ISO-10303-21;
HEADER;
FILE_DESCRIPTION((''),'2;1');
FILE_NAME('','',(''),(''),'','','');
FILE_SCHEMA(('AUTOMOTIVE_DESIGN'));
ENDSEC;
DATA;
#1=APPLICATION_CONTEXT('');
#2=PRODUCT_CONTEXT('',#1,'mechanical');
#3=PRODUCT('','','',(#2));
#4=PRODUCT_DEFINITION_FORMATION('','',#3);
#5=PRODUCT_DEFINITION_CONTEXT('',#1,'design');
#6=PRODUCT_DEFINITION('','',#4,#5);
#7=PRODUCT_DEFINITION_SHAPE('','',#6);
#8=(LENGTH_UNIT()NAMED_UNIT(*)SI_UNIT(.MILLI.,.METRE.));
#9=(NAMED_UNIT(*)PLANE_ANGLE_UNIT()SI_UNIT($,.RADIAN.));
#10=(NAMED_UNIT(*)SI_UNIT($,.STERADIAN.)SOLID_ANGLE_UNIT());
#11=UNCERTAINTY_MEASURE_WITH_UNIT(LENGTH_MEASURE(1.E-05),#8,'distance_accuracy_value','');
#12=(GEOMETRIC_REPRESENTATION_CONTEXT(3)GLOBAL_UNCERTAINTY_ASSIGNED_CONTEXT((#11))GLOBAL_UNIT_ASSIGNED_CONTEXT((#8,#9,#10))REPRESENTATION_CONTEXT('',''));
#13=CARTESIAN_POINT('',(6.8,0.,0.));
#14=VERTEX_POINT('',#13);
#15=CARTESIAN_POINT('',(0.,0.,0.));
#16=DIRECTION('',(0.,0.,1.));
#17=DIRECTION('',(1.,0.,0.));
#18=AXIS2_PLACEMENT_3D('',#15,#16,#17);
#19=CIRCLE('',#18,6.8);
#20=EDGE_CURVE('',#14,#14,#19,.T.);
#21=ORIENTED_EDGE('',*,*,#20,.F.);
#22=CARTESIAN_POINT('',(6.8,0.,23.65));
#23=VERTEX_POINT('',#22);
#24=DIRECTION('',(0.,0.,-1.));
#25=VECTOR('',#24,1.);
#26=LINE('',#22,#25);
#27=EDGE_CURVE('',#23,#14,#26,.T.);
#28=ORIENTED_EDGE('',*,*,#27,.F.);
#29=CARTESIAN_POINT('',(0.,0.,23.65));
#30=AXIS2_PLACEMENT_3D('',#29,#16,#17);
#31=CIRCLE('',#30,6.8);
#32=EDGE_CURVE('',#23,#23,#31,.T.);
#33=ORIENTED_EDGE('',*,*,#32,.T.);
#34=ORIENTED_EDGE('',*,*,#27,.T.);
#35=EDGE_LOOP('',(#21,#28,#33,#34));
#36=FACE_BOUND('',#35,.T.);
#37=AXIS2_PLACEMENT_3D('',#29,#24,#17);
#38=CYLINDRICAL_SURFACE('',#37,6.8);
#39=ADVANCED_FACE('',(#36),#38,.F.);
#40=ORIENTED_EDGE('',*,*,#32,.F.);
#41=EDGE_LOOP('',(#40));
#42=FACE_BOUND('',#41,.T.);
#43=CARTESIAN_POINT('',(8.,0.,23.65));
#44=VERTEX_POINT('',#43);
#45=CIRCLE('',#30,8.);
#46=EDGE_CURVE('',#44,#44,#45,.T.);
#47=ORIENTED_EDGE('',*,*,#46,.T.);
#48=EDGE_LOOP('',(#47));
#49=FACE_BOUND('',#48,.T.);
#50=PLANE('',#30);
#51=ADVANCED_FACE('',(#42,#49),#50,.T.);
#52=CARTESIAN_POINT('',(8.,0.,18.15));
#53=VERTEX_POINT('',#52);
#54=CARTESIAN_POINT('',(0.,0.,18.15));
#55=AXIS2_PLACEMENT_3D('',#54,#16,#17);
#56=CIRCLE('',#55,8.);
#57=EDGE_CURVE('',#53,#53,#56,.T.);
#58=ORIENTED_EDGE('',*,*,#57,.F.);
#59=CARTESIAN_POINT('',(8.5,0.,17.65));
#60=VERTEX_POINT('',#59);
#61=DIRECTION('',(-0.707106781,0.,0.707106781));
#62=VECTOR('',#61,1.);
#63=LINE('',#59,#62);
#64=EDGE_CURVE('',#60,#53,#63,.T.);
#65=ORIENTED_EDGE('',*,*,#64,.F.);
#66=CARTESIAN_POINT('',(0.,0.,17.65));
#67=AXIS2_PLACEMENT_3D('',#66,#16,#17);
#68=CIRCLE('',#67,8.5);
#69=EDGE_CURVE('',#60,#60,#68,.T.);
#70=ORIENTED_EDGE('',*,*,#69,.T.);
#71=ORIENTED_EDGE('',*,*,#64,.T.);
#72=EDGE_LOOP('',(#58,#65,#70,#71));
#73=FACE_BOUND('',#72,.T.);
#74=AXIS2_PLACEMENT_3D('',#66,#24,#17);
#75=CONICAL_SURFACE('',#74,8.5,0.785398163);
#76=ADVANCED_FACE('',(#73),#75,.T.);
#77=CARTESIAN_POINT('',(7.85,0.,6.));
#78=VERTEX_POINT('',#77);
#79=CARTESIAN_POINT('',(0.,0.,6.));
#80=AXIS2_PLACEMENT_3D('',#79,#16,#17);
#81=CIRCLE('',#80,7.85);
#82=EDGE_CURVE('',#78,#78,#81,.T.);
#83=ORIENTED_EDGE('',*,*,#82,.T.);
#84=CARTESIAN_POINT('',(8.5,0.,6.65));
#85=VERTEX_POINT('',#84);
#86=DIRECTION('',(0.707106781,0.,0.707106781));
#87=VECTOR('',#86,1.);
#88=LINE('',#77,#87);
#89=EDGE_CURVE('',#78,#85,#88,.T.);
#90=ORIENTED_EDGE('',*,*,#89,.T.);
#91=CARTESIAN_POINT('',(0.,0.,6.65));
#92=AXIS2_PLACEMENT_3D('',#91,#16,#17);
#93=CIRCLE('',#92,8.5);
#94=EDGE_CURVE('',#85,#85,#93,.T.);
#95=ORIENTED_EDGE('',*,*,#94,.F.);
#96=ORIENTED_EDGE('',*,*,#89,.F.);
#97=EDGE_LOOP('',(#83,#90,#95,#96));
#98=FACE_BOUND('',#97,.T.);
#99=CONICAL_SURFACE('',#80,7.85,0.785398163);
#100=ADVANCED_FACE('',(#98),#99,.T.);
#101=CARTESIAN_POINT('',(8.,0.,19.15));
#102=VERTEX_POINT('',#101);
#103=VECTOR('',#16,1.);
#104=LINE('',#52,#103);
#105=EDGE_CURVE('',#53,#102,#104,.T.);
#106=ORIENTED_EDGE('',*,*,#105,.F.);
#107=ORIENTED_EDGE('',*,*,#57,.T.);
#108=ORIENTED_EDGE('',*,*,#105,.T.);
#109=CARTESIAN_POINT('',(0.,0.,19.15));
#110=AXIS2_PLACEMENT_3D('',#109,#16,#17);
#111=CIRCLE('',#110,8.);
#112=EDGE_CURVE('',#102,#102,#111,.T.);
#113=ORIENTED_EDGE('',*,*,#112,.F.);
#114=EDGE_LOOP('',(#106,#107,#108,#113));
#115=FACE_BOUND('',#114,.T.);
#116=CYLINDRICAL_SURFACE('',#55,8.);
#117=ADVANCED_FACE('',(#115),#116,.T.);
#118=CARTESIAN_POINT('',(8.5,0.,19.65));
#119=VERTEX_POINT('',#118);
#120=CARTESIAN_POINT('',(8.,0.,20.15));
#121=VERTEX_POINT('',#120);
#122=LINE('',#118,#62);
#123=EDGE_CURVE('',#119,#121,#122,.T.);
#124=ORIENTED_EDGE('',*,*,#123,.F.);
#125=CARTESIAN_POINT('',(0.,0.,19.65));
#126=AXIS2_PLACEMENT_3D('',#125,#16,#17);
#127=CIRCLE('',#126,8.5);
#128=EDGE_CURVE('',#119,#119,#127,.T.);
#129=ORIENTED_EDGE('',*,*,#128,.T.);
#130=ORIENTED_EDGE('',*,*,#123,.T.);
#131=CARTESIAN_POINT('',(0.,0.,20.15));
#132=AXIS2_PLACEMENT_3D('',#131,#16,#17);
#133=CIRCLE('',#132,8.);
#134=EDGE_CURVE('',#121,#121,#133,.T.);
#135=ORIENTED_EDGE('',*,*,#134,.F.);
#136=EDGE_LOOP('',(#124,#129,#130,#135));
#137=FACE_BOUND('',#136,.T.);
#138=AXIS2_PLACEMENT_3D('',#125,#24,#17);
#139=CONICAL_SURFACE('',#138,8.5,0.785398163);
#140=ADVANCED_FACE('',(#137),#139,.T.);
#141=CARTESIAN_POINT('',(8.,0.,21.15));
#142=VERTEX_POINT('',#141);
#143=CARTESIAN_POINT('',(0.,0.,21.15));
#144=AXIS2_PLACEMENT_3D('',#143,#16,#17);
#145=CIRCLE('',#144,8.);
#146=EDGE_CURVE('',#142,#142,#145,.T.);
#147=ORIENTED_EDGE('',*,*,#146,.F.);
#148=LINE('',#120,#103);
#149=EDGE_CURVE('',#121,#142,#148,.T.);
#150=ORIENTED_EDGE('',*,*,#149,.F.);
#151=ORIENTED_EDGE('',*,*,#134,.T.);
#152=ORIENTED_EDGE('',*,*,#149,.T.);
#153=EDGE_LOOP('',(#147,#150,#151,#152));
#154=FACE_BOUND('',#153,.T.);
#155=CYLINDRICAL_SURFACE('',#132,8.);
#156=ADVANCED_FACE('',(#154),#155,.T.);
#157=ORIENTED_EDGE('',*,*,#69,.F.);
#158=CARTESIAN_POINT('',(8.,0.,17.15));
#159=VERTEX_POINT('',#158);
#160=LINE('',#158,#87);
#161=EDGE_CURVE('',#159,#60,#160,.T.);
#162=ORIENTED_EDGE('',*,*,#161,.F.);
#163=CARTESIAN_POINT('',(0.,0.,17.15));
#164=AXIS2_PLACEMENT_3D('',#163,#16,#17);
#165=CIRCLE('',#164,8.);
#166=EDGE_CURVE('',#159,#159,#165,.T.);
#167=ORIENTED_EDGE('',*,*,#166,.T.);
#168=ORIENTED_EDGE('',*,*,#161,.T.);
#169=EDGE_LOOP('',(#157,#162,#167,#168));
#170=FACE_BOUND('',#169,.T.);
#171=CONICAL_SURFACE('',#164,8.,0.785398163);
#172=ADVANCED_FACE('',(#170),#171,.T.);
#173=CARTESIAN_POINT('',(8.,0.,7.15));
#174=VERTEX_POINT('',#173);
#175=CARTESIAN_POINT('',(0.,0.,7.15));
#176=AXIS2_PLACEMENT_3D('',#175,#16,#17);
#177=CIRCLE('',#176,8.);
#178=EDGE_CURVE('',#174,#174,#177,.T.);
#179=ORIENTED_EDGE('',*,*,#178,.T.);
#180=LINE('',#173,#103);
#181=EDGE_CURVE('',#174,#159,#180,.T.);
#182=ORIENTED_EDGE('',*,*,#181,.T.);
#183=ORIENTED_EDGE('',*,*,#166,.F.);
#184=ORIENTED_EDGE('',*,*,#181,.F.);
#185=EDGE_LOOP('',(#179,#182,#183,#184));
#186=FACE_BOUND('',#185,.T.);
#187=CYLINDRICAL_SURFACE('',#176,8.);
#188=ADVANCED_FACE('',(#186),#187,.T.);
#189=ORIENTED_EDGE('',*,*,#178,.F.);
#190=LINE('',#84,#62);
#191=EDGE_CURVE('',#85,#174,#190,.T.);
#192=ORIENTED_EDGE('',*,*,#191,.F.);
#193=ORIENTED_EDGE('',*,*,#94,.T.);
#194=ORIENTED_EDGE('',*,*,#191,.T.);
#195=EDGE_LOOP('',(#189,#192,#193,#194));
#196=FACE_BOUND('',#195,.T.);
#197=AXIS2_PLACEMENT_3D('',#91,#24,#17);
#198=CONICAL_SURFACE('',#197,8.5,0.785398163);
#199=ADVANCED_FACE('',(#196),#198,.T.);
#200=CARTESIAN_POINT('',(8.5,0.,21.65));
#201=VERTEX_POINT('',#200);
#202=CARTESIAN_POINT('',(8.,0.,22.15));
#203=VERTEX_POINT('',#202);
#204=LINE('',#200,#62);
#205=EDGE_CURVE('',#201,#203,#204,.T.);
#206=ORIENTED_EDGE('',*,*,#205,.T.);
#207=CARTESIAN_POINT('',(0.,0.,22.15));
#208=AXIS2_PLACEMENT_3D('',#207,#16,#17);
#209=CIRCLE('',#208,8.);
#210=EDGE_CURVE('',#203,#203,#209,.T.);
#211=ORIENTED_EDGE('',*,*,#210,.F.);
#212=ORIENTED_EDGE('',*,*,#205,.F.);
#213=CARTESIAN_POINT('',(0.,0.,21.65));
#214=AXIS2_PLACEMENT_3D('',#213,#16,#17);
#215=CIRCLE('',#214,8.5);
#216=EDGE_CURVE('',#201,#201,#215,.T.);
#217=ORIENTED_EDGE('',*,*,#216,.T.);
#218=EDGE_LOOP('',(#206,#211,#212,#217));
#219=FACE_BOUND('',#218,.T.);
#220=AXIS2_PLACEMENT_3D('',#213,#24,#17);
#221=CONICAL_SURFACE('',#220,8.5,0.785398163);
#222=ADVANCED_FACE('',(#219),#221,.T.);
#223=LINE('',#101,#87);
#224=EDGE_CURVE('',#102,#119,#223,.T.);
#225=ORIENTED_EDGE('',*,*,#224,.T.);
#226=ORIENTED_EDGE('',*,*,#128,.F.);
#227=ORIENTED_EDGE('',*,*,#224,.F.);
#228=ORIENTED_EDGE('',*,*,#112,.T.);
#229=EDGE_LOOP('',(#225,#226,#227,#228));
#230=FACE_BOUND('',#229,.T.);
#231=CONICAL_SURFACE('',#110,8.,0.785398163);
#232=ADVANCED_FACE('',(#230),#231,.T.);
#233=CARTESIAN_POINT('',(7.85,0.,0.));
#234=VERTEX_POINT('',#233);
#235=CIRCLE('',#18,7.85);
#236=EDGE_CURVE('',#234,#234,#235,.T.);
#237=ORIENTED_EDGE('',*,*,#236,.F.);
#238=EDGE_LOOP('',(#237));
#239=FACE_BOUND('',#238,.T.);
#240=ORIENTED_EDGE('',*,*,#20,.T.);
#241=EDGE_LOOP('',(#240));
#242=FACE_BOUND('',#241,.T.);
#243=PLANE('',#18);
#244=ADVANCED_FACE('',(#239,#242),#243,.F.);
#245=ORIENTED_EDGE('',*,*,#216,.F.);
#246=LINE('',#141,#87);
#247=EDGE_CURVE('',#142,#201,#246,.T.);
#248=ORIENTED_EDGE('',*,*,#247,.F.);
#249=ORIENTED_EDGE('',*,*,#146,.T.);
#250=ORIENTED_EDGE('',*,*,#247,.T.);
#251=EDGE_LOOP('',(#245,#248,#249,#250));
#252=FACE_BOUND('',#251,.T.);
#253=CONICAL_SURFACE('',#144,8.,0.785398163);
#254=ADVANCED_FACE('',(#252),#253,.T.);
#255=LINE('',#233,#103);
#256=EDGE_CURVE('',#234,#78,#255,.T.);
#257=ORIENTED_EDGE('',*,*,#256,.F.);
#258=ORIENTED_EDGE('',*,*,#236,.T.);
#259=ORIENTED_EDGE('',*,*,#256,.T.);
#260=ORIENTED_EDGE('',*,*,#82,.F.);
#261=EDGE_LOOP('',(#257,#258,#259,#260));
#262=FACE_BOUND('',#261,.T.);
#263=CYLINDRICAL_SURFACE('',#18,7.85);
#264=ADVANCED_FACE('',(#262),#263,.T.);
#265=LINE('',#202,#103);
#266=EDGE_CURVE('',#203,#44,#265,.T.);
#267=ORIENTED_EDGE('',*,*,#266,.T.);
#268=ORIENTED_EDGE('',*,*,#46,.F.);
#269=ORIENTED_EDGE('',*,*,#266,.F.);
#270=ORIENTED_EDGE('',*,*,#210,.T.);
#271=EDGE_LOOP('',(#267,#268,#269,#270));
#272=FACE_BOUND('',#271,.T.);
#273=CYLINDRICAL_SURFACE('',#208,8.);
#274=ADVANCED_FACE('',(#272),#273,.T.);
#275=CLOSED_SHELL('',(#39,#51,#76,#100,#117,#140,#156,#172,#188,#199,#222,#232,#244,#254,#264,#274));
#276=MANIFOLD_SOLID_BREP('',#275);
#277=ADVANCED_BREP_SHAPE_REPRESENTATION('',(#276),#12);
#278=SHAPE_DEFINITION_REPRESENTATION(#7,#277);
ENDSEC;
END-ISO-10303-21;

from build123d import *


with BuildPart() as part:
    # Sketch001 → Revolve (revolve)
    with BuildSketch(Plane.XZ):
        Polygon((8, 17.15), (8.5, 17.65), (8, 18.15), (8, 19.15), (8.5, 19.65), (8, 20.15), (8, 21.15), (8.5, 21.65), (8, 22.15), (8, 23.65), (6.8, 23.65), (6.8, 0), (7.85, 0), (7.85, 6), (8.5, 6.65), (8, 7.15), align=None)
    revolve(axis=Axis((0, 0, 0), (0, 0, 1)))


solid = part.part
